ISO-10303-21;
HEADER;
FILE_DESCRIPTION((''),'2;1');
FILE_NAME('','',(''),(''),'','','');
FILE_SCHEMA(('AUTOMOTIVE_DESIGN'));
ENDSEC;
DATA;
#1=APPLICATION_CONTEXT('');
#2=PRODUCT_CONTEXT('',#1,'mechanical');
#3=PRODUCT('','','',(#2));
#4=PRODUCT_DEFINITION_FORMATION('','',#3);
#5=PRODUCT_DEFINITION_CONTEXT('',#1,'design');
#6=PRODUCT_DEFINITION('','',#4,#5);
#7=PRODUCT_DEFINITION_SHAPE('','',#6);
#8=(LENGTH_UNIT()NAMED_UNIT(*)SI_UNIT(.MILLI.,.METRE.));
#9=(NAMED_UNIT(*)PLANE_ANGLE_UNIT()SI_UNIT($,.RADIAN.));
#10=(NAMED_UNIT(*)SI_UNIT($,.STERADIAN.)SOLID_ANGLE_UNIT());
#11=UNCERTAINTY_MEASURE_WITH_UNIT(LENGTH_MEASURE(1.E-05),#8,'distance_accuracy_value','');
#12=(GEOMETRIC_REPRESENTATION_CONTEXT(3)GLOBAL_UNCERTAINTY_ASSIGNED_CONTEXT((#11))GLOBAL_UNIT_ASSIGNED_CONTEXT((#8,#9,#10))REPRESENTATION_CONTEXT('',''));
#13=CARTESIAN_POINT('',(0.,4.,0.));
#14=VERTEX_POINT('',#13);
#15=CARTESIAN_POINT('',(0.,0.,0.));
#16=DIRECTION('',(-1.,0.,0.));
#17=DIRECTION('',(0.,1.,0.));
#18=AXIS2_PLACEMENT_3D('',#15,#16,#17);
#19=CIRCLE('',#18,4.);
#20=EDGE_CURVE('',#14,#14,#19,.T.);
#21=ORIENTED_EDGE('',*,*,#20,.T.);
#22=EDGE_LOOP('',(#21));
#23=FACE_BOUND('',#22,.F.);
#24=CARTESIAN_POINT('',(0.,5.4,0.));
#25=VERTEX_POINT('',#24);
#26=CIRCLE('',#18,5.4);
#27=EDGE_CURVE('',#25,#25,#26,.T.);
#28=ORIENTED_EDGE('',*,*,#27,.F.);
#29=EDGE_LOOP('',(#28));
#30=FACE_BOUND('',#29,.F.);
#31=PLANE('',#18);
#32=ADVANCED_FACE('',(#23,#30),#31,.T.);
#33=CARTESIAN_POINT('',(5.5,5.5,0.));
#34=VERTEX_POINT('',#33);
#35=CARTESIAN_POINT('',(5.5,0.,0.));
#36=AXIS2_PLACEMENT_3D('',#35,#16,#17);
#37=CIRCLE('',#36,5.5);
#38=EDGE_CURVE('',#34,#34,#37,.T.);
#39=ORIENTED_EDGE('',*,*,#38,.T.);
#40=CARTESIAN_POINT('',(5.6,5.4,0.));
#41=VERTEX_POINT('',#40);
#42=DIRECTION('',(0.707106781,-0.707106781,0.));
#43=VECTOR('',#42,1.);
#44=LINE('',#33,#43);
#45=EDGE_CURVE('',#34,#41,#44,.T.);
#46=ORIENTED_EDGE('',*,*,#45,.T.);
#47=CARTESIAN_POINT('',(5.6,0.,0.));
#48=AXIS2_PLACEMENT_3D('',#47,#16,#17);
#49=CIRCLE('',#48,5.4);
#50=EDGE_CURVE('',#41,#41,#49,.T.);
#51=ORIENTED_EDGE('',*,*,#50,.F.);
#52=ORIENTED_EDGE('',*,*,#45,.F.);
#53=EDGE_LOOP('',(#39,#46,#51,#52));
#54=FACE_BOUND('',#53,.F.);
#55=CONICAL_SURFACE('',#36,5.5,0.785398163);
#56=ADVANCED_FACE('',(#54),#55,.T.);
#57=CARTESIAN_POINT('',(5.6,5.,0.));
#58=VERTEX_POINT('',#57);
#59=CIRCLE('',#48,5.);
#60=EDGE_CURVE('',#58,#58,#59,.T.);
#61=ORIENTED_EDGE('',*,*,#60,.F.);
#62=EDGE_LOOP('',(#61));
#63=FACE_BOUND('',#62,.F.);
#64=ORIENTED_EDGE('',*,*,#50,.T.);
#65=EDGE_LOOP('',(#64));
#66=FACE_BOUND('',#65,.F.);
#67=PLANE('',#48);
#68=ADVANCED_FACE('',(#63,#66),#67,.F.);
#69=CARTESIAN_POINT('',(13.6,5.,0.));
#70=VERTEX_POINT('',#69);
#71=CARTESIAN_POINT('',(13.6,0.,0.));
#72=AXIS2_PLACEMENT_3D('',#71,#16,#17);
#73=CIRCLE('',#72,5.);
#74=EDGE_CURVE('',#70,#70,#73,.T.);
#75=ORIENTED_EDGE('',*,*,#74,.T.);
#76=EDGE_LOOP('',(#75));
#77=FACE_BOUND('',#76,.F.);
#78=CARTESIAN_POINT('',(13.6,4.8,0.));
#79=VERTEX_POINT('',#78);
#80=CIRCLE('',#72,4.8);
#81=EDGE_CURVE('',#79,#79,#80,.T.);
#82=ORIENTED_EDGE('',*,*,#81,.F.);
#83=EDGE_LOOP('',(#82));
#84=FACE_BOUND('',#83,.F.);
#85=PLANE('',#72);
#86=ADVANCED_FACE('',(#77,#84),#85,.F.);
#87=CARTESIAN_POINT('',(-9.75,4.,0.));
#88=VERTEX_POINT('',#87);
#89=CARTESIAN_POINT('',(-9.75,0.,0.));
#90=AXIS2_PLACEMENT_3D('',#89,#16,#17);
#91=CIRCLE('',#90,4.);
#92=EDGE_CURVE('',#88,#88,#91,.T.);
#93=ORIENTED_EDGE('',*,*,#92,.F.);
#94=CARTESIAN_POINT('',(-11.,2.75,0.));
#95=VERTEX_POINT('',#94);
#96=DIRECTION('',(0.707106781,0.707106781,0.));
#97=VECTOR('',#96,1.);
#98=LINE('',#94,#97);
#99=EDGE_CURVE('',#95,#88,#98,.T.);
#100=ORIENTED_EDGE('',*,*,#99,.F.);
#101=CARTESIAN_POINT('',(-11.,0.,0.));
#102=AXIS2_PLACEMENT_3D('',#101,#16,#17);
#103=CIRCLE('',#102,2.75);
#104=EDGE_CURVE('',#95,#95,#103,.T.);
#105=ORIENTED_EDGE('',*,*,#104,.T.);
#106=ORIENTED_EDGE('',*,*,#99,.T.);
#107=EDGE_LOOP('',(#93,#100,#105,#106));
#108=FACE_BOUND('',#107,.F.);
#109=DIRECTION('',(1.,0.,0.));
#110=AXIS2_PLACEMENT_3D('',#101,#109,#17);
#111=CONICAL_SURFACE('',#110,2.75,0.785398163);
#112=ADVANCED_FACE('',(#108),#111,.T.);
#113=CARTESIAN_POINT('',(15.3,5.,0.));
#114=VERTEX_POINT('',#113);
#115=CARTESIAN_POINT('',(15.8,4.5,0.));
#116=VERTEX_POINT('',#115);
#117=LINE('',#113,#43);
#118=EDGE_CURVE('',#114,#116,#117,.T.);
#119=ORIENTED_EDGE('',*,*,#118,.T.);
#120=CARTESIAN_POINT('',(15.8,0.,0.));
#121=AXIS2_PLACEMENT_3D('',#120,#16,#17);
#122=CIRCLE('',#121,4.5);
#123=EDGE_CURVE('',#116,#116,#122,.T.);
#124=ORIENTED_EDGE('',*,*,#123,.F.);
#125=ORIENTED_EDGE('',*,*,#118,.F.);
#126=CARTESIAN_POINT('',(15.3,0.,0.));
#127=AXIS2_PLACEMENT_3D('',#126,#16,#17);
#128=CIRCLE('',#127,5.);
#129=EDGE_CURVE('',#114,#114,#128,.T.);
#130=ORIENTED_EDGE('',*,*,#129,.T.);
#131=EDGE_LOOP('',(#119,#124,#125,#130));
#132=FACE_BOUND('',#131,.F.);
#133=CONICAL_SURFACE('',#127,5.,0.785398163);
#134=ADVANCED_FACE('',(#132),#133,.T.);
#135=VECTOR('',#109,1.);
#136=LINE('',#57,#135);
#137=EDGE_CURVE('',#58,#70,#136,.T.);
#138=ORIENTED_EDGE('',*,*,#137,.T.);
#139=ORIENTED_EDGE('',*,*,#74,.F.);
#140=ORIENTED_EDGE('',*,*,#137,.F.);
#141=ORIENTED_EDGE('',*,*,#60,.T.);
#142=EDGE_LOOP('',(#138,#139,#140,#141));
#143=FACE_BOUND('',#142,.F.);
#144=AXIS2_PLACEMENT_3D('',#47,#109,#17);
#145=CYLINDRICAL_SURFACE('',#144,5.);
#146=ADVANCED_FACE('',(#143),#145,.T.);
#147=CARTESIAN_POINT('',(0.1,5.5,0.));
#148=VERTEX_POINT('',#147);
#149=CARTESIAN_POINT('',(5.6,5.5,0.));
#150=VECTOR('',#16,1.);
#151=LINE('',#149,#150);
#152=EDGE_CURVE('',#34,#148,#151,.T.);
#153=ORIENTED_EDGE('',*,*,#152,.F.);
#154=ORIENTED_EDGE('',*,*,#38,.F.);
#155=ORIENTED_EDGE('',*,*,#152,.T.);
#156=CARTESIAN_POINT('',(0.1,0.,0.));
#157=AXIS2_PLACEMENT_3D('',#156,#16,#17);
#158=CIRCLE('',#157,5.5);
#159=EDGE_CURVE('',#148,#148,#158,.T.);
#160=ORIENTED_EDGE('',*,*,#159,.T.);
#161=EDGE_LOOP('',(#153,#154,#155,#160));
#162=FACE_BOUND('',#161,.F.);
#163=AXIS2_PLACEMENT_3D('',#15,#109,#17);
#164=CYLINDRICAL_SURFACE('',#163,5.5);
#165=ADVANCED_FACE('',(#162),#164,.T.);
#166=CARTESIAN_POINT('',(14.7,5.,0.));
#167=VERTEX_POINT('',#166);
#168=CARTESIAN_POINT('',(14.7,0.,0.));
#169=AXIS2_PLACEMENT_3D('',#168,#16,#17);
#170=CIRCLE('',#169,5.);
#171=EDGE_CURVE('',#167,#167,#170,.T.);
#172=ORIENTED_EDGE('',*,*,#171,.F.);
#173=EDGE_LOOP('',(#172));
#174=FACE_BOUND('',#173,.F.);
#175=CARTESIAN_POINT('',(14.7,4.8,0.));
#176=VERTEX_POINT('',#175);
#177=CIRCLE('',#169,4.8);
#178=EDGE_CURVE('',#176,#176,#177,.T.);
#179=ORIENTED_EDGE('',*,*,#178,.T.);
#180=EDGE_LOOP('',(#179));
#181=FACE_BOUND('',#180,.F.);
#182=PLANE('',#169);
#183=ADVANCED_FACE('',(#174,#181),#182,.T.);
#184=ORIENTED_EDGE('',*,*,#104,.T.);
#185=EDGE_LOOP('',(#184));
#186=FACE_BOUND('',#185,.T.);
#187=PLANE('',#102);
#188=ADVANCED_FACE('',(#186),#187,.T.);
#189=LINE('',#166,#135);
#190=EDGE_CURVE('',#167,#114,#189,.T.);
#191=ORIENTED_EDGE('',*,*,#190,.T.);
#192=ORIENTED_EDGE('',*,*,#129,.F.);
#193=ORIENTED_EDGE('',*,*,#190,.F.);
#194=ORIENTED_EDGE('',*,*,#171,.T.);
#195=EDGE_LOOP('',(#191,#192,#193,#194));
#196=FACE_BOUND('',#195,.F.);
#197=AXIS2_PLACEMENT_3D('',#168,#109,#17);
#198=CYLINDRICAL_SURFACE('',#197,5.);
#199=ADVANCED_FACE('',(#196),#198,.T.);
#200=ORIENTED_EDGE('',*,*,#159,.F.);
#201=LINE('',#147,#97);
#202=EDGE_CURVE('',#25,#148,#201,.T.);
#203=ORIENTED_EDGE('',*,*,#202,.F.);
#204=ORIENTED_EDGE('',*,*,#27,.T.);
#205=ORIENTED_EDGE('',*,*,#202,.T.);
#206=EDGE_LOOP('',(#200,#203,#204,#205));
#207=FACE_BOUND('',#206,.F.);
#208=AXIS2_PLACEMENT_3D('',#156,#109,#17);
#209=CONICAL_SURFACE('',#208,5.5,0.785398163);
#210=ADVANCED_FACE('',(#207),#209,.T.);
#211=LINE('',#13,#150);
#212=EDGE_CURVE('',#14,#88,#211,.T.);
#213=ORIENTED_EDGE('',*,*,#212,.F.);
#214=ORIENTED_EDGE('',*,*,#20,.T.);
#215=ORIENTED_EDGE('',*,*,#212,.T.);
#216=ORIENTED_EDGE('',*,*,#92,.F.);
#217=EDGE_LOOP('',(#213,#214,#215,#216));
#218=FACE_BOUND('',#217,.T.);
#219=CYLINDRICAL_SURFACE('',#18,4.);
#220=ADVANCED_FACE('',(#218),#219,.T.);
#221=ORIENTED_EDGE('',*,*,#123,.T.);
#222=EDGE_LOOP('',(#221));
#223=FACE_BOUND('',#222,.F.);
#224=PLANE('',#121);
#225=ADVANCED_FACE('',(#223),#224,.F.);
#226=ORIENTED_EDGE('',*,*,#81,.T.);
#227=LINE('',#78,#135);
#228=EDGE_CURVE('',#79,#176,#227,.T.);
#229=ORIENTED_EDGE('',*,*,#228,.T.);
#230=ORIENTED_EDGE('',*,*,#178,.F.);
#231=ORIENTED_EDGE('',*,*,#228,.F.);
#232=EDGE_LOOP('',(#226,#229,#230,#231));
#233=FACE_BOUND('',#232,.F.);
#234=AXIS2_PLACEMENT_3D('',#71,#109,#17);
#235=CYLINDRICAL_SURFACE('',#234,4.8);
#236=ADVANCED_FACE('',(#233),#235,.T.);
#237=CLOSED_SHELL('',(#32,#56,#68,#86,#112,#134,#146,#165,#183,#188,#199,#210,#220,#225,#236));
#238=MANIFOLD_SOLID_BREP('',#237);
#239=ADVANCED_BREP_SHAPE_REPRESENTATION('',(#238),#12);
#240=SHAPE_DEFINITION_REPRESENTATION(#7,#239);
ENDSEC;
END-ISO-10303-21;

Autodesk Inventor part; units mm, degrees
ref_plane "YZ Plane" through (0, 0, 0) normal (1, 0, 0) x (0, 1, 0)
ref_plane "XZ Plane" through (0, 0, 0) normal (0, 1, 0) x (-1, 0, 0)
ref_plane "XY Plane" through (0, 0, 0) normal (0, 0, 1) x (1, 0, 0)
sketch "Skizze1" plane through (0, 0, 0) normal (0, 0, 1) x (1, 0, 0)
  line L0 (0, 0) -> (0, 5.5)
  line L1 (0, 5.5) -> (5.6, 5.5)
  line L2 (5.6, 5.5) -> (5.6, 5)
  line L3 (5.6, 5) -> (13.6, 5)
  line L4 (13.6, 5) -> (13.6, 4.8)
  line L5 (13.6, 4.8) -> (14.7, 4.8)
  line L6 (14.7, 4.8) -> (14.7, 5)
  line L7 (14.7, 5) -> (15.3, 5)
  line L8 (15.8, 4.5) -> (15.8, 0)
  line L9 (15.8, 0) -> (0, 0)
  line L10 (0, 4) -> (-9.75, 4)
  line L11 (-11, 2.75) -> (-11, 0)
  line L12 (-11, 0) -> (0, 0)
  line L13 (15.3, 5) -> (15.8, 4.5)
  line L14 (-11, 2.75) -> (-9.75, 4)
  line L15 (1.5, 5.5) -> (1.5, 0) construction
  line L16 (13.6, 5) -> (13.6, 0) construction
  line L17 (4.6, 5.5) -> (4.6, 6)
  line L18 (4.6, 6) -> (0, 6)
  line L19 (0, 6) -> (0, 5.5)
  point P0 (15.8, 5)
  point P1 (-11, 4)
  dimension "d0" = 9.6
  dimension "d1" = 0.5
  dimension "d2" = 0.5
  dimension "d3" = 1.1
  dimension "d4" = 10
  dimension "d5" = 0.6
  dimension "d6" = 11
  dimension "d8" = 8
  dimension "d9" = 1.25
  dimension "d10" = 1.25
  dimension "d11" = 11
  dimension "d12" = 4.1
  dimension "d13" = 1.5
  dimension "d14" = 12.1
  dimension "d15" = 0
  dimension "d22" = 1
  dimension "d23" = 12
revolve "Umdrehung1" add sketch "Skizze1" angle 360 about axis through (15.8, 0, 0) along (-1, 0, 0) contours L12 L11 L14 L10 L0 | L0 L1 L2 L3 L4 L5 L6 L7 L13 L8 L9
thread "Gewinde1" size "M8x1.25" class "6g" standard "ANSI Metric M Profile" full length
chamfer "Fase1" distance 0.1 angle 45 2 edges at (5.6, -5.5, 0) (0, -5.5, 0)
equation "\"d2\" = d1"
equation "\"d10\" = d9"
equation "\"d12\" = Bearing_StepThickness + SupportLink_Proximal_DistStep_Thickness"
equation "\"d14\" = Link_Thickness + SupportLink_Proximal_DistStep_Thickness"
equation "\"SupportLink_Proximal_DistStep_Thickness\" = 2.1"
equation "\"Bearing_StepThickness\" = 2"
equation "\"Link_Thickness\" = 10"
properties part number "ParallelMech_SupportLink_Proximal_JointShaft"
